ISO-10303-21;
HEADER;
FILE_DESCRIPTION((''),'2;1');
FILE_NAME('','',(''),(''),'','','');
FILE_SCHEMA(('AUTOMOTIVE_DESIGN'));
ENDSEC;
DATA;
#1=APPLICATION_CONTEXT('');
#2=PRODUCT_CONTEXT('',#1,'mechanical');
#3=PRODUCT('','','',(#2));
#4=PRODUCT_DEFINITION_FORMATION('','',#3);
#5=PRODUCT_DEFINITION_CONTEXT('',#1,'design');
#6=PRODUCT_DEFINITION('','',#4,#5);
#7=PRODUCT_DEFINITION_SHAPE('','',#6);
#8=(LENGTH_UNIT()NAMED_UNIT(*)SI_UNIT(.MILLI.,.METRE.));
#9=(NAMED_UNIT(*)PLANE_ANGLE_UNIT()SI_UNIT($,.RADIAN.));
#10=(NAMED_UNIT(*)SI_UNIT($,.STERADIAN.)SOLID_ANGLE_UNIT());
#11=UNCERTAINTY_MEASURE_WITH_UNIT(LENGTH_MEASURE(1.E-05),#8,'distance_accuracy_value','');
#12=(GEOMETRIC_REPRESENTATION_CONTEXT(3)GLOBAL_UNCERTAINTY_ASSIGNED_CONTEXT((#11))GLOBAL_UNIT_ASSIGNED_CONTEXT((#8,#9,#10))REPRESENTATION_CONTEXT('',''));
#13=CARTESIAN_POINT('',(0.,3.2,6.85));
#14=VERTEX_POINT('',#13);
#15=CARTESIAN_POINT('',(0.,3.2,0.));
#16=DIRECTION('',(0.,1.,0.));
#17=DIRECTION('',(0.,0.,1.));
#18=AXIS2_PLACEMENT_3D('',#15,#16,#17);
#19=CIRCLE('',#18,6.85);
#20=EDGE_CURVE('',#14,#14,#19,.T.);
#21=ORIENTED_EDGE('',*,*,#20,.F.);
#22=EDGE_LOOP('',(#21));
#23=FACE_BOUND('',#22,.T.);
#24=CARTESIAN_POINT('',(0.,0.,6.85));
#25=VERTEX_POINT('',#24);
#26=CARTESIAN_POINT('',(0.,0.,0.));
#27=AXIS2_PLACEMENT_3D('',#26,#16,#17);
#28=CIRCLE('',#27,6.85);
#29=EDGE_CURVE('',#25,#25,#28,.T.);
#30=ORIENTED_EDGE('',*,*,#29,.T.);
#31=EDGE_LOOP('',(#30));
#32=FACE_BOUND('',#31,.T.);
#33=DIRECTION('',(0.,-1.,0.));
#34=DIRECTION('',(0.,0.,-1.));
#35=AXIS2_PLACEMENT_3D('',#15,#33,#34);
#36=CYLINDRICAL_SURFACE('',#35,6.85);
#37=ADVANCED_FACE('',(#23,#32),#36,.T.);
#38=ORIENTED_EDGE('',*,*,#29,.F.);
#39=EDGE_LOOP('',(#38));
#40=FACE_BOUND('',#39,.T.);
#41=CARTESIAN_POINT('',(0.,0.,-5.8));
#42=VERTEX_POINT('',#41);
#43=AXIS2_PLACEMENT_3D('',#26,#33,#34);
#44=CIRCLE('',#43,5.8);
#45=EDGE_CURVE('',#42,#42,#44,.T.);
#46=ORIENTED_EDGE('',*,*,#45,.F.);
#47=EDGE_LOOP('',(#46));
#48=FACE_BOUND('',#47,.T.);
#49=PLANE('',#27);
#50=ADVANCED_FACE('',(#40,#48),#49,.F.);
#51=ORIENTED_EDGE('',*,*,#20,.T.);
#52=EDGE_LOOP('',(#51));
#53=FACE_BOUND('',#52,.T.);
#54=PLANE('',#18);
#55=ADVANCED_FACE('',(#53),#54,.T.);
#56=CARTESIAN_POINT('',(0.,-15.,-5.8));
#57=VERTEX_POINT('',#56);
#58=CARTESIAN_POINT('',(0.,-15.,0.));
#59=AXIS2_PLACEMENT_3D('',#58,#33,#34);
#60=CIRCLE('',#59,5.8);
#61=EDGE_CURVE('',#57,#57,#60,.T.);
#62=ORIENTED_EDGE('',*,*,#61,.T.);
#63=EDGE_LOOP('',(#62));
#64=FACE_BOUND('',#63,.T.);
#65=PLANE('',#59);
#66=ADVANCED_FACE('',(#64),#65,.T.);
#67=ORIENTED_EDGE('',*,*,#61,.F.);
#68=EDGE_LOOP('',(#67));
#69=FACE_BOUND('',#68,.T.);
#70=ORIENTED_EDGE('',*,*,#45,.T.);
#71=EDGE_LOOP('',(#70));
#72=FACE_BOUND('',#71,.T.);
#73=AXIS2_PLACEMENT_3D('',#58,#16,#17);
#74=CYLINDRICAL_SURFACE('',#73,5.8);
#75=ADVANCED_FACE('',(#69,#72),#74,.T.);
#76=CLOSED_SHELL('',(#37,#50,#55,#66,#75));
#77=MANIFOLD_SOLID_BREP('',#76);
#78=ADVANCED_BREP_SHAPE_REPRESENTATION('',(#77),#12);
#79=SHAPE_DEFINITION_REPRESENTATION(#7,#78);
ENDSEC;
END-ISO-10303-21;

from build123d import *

# Parameters (mm, degrees)
ESBO_O1_R                = 6.85
RESSALTO_EXTRUS_O1_DEPTH = 3.2
ESBO_O3_R                = 5.8
RESSALTO_EXTRUS_O2_DEPTH = 15
ESBO_O3_2_R              = 5.8
RESSALTO_EXTRUS_O3_DEPTH = 15


with BuildPart() as part:
    # Esboço1 → Ressalto-extrusão1 (new body)
    with BuildSketch(Plane(origin=(0, 0, 0), x_dir=(1, 0, 0), z_dir=(0, 1, 0))):
        Circle(ESBO_O1_R)
    extrude(amount=RESSALTO_EXTRUS_O1_DEPTH)

    # Esboço3 → Ressalto-extrusão2 (add)
    with BuildSketch(Plane.XZ):
        Circle(ESBO_O3_R)
    extrude(amount=RESSALTO_EXTRUS_O2_DEPTH)

    # Esboço3<2> → Ressalto-extrusão3 (add)
    with BuildSketch(Plane.XZ):
        Circle(ESBO_O3_2_R)
    extrude(amount=RESSALTO_EXTRUS_O3_DEPTH)


solid = part.part
